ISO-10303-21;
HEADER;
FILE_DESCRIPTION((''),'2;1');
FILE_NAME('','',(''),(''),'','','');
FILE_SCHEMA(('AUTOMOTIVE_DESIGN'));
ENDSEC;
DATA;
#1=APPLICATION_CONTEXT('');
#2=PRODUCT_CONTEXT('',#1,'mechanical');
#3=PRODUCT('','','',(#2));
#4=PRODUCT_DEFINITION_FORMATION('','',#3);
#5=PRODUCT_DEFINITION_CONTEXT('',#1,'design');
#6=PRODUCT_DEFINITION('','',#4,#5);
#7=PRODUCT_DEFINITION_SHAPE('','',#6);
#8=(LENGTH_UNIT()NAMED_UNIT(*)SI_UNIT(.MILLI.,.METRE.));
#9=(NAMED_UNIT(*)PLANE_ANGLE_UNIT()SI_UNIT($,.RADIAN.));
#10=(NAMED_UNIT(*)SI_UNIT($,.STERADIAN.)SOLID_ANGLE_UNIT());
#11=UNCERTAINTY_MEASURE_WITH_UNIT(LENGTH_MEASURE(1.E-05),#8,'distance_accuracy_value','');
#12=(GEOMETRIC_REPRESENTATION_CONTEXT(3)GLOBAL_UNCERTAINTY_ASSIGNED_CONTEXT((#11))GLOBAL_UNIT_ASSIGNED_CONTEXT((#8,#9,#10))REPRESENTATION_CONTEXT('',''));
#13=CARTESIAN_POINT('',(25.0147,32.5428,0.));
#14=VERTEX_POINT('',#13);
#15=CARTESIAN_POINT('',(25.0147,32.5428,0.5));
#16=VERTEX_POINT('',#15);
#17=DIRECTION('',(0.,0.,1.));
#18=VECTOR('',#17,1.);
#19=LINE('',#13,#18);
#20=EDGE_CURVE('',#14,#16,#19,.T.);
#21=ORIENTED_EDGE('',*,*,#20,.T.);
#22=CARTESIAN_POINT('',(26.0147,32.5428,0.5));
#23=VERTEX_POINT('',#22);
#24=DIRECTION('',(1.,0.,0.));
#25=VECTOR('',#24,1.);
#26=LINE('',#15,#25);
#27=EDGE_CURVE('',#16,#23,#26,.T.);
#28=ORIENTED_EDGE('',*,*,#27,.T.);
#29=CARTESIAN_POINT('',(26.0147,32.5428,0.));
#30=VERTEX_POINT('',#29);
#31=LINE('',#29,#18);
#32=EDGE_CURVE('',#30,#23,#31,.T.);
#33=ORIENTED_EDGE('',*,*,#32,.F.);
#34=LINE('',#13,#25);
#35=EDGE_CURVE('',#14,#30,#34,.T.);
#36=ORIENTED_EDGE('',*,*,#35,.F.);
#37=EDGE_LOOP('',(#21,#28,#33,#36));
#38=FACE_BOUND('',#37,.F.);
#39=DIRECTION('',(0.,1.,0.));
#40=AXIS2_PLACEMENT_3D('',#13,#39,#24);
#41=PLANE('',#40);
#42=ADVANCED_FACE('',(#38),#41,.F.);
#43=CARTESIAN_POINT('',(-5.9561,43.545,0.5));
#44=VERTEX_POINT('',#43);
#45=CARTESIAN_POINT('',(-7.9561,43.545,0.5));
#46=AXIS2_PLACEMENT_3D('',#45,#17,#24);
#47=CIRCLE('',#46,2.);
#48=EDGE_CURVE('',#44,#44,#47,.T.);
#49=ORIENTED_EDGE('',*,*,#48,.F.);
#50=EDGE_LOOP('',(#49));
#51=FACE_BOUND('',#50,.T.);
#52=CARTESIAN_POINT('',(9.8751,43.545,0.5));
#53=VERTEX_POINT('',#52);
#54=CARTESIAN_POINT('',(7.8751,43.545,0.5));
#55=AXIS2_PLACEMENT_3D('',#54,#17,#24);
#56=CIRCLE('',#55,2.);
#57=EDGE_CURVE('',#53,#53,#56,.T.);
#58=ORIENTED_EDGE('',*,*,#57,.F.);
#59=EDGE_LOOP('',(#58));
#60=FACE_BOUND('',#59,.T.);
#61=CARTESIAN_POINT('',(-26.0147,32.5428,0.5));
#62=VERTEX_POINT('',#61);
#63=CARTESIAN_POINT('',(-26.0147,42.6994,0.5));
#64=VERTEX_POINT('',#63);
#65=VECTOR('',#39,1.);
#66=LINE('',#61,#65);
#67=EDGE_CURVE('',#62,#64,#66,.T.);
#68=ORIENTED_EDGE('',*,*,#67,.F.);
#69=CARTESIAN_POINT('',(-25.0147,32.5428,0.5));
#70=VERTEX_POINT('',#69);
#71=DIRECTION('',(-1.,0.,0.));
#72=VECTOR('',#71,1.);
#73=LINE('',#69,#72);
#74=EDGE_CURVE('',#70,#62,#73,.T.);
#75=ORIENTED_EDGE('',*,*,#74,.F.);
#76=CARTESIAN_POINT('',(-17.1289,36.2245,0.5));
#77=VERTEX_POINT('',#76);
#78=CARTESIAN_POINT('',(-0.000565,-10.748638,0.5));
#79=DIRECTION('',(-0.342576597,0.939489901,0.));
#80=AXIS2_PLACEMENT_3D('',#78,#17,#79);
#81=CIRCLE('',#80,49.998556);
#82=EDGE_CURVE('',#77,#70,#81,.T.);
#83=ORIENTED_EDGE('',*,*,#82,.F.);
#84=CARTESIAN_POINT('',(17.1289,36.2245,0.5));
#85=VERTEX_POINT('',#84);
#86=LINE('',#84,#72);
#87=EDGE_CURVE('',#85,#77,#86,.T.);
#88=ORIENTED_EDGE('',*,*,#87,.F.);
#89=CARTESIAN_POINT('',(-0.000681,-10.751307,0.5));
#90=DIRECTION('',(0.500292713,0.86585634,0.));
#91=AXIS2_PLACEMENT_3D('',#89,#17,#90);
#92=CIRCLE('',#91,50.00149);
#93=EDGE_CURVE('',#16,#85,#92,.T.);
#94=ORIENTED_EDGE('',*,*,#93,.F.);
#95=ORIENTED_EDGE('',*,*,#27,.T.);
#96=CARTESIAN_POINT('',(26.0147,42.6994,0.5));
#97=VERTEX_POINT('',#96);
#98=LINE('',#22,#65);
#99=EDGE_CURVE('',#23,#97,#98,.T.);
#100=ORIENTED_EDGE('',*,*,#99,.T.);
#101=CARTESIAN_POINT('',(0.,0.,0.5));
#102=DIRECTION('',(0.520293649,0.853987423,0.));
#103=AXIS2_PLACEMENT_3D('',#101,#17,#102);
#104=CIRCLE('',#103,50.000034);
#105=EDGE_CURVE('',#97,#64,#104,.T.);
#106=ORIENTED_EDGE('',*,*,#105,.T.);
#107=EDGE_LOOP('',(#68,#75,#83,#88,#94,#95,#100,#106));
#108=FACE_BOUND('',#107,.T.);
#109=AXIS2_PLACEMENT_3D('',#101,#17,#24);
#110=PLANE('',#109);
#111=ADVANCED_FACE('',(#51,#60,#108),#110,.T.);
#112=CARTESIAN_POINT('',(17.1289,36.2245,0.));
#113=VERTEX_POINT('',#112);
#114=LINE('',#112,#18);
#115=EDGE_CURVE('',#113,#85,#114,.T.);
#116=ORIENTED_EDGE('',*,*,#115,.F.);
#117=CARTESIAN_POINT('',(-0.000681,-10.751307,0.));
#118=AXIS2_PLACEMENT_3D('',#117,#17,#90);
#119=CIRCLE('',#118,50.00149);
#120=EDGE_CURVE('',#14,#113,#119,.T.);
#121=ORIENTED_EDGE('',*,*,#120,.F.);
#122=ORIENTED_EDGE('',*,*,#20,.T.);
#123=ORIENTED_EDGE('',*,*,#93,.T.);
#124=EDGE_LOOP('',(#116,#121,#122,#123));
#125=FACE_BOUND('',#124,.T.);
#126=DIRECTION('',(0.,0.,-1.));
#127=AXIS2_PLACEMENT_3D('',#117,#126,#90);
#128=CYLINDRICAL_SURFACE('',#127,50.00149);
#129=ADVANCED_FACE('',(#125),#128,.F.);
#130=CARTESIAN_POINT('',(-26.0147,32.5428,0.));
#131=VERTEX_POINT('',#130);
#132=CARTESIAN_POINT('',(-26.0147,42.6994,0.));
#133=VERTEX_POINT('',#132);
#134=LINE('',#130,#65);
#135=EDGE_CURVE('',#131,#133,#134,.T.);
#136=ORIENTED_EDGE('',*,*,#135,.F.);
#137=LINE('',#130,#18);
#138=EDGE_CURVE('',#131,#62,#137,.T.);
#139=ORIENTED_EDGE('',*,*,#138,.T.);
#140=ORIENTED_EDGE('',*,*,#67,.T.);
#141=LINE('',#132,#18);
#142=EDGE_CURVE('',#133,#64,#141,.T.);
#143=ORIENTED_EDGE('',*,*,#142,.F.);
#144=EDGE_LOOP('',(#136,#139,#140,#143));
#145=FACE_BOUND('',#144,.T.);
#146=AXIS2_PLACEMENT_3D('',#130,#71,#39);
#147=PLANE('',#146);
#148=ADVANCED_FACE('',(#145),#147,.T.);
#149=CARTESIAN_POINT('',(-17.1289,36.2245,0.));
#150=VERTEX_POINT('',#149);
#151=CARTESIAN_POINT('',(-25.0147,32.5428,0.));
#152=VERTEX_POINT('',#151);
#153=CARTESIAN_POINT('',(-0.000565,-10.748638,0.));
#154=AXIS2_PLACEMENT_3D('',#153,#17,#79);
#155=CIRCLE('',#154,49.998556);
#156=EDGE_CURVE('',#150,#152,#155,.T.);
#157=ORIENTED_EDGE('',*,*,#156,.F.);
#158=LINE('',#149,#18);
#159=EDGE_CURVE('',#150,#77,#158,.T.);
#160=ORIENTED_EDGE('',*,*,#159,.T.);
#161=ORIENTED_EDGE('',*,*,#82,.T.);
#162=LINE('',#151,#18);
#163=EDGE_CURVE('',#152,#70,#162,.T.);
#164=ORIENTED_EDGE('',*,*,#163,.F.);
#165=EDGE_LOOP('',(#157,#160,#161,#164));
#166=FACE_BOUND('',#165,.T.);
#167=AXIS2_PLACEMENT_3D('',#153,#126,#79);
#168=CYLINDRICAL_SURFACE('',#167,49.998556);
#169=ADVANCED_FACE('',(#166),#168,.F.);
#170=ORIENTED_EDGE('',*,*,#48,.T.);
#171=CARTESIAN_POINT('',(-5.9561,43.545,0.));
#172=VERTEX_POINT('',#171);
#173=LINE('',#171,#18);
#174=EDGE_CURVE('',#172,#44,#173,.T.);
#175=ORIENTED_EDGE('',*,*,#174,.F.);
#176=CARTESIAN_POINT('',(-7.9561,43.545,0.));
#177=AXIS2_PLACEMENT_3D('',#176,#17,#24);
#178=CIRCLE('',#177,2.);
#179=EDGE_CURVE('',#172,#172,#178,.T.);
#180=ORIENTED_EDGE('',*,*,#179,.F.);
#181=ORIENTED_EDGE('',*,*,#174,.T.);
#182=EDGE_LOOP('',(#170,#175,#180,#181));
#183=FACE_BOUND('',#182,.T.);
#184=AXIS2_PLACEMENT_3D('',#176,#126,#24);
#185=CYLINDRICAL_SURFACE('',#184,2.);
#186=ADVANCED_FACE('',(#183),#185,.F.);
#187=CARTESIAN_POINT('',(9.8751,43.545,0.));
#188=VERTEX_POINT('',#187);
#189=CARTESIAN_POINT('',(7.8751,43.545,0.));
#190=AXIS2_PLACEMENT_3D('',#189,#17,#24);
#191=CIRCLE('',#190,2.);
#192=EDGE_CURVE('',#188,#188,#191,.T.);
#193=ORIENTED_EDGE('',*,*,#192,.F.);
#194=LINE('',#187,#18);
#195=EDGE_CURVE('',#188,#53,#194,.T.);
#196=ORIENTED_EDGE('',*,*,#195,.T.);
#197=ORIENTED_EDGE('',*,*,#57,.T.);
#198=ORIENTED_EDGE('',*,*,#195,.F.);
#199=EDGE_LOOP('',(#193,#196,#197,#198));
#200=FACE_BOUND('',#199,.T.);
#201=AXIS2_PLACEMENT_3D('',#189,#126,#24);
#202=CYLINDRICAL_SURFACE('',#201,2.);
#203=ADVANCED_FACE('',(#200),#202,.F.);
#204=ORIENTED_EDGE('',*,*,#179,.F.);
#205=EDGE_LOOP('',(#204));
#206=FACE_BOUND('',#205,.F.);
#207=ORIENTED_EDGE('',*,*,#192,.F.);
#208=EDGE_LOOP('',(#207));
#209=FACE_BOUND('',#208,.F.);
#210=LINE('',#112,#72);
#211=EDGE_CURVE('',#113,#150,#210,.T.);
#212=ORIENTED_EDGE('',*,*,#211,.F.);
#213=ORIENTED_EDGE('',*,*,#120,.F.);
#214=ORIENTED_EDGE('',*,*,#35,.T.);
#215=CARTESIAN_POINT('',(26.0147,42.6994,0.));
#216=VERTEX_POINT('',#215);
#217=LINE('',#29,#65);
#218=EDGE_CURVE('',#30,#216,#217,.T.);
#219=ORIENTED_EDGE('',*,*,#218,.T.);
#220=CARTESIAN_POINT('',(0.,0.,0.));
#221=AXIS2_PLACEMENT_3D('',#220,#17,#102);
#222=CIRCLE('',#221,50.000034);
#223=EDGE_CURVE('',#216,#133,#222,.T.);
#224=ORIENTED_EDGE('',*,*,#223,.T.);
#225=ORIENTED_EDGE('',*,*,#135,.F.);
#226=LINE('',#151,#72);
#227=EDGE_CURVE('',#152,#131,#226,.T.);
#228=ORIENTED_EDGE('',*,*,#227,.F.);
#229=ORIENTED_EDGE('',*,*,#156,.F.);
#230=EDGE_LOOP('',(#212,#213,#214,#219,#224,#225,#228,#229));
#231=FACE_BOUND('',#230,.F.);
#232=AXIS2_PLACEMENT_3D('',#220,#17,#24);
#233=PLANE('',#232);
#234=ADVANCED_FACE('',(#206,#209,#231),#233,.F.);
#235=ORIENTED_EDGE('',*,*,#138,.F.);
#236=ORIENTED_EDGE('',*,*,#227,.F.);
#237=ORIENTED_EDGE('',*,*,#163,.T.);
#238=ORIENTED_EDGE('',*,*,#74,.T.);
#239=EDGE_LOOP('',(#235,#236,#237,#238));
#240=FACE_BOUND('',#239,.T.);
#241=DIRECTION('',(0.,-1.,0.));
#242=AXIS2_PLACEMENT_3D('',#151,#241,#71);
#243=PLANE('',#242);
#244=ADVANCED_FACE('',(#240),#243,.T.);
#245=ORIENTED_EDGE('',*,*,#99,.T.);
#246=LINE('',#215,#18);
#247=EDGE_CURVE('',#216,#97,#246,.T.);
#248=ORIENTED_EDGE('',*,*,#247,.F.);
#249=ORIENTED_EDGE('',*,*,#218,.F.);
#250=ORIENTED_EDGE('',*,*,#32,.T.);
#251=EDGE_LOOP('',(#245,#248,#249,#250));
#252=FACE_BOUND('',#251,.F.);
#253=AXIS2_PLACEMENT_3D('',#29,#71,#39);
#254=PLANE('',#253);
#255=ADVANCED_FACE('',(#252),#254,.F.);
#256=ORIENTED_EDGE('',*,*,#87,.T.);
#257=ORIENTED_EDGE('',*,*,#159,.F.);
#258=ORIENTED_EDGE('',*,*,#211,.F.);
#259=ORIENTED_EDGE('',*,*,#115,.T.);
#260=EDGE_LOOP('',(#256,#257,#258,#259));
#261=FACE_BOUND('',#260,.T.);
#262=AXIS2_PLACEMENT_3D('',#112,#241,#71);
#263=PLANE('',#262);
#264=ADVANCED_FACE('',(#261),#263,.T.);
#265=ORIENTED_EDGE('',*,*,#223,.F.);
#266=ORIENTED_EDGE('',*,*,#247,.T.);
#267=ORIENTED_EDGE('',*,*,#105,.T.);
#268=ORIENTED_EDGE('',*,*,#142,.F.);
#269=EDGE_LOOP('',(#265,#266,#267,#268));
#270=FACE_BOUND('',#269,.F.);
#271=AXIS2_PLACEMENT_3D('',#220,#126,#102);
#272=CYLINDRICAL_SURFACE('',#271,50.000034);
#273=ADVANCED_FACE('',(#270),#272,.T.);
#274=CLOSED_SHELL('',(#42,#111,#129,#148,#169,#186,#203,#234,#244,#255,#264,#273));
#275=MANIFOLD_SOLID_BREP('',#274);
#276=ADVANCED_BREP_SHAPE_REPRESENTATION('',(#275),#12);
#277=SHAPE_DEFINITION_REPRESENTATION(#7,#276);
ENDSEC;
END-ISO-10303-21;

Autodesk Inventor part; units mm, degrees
ref_plane "YZ Plane" through (0, 0, 0) normal (1, 0, 0) x (0, 1, 0)
ref_plane "XZ Plane" through (0, 0, 0) normal (0, 1, 0) x (-1, 0, 0)
ref_plane "XY Plane" through (0, 0, 0) normal (0, 0, 1) x (1, 0, 0)
sketch "Sketch1" plane through (0, 0, 0) normal (0, 0, 1) x (1, 0, 0)
  circle A0 centre (-7.9561, 43.545) radius 2
  circle A1 centre (7.8751, 43.545) radius 2
  line L0 (-11.8358, 51) -> (11.6369, 51)
  line L1 (-11.8358, 49.5789) -> (-11.8358, 51)
  arc A2 (-11.8358, 49.5789) -> (-25.0147, 44.2928) centre (0, 1) ccw
  line L2 (-25.0147, 44.2928) -> (-26.0147, 44.2928)
  line L3 (-26.0147, 32.5428) -> (-26.0147, 44.2928)
  line L4 (-25.0147, 32.5428) -> (-26.0147, 32.5428)
  arc A3 (-17.1289, 36.2245) -> (-25.0147, 32.5428) centre (0, -10.75) ccw
  line L5 (17.1289, 36.2245) -> (-17.1289, 36.2245)
  arc A4 (25.0147, 32.5428) -> (17.1289, 36.2245) centre (0, -10.75) ccw
  line L6 (25.0147, 32.5428) -> (26.0147, 32.5428)
  line L7 (26.0147, 32.5428) -> (26.0147, 44.2928)
  line L8 (25.0147, 44.2928) -> (26.0147, 44.2928)
  arc A5 (25.0147, 44.2928) -> (11.6369, 49.627) centre (0, 1) ccw
  line L9 (11.6369, 49.627) -> (11.6369, 51)
  circle A6 centre (7.8751, 43.545) radius 2
  circle A7 centre (-7.9561, 43.545) radius 2
  arc A8 (26.0147, 42.6994) -> (-26.0147, 42.6994) centre (0, 0) ccw
  line L10 (-26.0147, 42.6994) -> (-26.0147, 32.5428)
  line L11 (-26.0147, 32.5428) -> (-25.0147, 32.5428)
  arc A9 (-17.1289, 36.2245) -> (-25.0147, 32.5428) centre (0, -10.75) ccw
  line L12 (-17.1289, 36.2245) -> (17.1289, 36.2245)
  arc A10 (25.0147, 32.5428) -> (17.1289, 36.2245) centre (0, -10.75) ccw
  line L13 (26.0147, 32.5428) -> (25.0147, 32.5428)
  line L14 (26.0147, 32.5428) -> (26.0147, 42.6994)
  point P0 (-26.0147, 42.6994)
  point P1 (-25.0147, 32.5428)
extrude "Extrusion1" add sketch "Sketch1" along normal blind 0.5 contours A8 L7 L6 A4 L5 A3 L4 L3
properties part number "warda"
